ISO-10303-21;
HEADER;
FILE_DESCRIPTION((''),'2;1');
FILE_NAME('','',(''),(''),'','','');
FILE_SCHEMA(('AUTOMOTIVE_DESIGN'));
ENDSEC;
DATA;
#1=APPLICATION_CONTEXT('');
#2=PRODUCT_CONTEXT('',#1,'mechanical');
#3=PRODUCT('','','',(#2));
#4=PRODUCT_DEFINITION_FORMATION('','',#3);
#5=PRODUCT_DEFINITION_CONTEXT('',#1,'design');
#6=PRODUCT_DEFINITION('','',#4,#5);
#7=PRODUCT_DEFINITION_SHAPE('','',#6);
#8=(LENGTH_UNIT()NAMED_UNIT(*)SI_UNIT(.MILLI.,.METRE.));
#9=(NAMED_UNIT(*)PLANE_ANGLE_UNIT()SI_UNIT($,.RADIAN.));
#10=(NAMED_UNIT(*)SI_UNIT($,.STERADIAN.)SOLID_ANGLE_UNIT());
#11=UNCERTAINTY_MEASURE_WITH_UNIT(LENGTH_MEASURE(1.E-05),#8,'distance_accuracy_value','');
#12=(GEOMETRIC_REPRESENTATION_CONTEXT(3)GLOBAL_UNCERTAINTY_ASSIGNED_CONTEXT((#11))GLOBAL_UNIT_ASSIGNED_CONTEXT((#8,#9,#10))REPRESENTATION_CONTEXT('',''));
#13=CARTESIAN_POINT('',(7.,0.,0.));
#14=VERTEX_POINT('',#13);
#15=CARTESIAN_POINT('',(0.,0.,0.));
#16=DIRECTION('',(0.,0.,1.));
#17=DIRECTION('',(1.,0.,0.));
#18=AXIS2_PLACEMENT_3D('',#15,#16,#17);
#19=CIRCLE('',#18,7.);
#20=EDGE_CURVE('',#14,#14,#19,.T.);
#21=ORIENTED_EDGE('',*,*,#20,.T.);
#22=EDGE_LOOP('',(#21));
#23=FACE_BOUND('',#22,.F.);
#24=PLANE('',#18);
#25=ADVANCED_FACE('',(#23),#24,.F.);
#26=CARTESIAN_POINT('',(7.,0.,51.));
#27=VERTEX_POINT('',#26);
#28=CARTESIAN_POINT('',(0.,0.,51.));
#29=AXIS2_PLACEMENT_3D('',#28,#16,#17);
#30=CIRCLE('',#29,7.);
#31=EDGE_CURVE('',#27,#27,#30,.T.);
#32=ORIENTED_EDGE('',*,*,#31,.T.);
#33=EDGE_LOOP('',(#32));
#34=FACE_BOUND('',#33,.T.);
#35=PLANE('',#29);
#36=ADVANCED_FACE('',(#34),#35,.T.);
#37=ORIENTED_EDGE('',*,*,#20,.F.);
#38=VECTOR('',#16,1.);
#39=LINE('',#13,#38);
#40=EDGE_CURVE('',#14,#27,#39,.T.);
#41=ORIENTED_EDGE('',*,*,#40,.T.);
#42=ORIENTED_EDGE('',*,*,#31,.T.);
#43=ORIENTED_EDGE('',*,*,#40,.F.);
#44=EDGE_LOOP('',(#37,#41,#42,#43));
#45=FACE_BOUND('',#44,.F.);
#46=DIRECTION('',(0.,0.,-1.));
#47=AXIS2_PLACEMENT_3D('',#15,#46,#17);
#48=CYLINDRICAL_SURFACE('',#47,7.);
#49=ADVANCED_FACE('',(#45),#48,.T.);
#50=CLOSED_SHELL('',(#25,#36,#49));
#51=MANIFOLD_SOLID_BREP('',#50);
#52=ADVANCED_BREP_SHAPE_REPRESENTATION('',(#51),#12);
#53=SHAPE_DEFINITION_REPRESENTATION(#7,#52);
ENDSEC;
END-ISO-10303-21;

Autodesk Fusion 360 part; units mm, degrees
sketch "Sketch1" plane through (0, 0, 0) normal (0, 0, 1) x (1, 0, 0)
  circle A0 centre (0, 0) radius 7
  dimension "d1" = 14
extrude "Extrude1" add sketch "Sketch1" along normal blind 51
